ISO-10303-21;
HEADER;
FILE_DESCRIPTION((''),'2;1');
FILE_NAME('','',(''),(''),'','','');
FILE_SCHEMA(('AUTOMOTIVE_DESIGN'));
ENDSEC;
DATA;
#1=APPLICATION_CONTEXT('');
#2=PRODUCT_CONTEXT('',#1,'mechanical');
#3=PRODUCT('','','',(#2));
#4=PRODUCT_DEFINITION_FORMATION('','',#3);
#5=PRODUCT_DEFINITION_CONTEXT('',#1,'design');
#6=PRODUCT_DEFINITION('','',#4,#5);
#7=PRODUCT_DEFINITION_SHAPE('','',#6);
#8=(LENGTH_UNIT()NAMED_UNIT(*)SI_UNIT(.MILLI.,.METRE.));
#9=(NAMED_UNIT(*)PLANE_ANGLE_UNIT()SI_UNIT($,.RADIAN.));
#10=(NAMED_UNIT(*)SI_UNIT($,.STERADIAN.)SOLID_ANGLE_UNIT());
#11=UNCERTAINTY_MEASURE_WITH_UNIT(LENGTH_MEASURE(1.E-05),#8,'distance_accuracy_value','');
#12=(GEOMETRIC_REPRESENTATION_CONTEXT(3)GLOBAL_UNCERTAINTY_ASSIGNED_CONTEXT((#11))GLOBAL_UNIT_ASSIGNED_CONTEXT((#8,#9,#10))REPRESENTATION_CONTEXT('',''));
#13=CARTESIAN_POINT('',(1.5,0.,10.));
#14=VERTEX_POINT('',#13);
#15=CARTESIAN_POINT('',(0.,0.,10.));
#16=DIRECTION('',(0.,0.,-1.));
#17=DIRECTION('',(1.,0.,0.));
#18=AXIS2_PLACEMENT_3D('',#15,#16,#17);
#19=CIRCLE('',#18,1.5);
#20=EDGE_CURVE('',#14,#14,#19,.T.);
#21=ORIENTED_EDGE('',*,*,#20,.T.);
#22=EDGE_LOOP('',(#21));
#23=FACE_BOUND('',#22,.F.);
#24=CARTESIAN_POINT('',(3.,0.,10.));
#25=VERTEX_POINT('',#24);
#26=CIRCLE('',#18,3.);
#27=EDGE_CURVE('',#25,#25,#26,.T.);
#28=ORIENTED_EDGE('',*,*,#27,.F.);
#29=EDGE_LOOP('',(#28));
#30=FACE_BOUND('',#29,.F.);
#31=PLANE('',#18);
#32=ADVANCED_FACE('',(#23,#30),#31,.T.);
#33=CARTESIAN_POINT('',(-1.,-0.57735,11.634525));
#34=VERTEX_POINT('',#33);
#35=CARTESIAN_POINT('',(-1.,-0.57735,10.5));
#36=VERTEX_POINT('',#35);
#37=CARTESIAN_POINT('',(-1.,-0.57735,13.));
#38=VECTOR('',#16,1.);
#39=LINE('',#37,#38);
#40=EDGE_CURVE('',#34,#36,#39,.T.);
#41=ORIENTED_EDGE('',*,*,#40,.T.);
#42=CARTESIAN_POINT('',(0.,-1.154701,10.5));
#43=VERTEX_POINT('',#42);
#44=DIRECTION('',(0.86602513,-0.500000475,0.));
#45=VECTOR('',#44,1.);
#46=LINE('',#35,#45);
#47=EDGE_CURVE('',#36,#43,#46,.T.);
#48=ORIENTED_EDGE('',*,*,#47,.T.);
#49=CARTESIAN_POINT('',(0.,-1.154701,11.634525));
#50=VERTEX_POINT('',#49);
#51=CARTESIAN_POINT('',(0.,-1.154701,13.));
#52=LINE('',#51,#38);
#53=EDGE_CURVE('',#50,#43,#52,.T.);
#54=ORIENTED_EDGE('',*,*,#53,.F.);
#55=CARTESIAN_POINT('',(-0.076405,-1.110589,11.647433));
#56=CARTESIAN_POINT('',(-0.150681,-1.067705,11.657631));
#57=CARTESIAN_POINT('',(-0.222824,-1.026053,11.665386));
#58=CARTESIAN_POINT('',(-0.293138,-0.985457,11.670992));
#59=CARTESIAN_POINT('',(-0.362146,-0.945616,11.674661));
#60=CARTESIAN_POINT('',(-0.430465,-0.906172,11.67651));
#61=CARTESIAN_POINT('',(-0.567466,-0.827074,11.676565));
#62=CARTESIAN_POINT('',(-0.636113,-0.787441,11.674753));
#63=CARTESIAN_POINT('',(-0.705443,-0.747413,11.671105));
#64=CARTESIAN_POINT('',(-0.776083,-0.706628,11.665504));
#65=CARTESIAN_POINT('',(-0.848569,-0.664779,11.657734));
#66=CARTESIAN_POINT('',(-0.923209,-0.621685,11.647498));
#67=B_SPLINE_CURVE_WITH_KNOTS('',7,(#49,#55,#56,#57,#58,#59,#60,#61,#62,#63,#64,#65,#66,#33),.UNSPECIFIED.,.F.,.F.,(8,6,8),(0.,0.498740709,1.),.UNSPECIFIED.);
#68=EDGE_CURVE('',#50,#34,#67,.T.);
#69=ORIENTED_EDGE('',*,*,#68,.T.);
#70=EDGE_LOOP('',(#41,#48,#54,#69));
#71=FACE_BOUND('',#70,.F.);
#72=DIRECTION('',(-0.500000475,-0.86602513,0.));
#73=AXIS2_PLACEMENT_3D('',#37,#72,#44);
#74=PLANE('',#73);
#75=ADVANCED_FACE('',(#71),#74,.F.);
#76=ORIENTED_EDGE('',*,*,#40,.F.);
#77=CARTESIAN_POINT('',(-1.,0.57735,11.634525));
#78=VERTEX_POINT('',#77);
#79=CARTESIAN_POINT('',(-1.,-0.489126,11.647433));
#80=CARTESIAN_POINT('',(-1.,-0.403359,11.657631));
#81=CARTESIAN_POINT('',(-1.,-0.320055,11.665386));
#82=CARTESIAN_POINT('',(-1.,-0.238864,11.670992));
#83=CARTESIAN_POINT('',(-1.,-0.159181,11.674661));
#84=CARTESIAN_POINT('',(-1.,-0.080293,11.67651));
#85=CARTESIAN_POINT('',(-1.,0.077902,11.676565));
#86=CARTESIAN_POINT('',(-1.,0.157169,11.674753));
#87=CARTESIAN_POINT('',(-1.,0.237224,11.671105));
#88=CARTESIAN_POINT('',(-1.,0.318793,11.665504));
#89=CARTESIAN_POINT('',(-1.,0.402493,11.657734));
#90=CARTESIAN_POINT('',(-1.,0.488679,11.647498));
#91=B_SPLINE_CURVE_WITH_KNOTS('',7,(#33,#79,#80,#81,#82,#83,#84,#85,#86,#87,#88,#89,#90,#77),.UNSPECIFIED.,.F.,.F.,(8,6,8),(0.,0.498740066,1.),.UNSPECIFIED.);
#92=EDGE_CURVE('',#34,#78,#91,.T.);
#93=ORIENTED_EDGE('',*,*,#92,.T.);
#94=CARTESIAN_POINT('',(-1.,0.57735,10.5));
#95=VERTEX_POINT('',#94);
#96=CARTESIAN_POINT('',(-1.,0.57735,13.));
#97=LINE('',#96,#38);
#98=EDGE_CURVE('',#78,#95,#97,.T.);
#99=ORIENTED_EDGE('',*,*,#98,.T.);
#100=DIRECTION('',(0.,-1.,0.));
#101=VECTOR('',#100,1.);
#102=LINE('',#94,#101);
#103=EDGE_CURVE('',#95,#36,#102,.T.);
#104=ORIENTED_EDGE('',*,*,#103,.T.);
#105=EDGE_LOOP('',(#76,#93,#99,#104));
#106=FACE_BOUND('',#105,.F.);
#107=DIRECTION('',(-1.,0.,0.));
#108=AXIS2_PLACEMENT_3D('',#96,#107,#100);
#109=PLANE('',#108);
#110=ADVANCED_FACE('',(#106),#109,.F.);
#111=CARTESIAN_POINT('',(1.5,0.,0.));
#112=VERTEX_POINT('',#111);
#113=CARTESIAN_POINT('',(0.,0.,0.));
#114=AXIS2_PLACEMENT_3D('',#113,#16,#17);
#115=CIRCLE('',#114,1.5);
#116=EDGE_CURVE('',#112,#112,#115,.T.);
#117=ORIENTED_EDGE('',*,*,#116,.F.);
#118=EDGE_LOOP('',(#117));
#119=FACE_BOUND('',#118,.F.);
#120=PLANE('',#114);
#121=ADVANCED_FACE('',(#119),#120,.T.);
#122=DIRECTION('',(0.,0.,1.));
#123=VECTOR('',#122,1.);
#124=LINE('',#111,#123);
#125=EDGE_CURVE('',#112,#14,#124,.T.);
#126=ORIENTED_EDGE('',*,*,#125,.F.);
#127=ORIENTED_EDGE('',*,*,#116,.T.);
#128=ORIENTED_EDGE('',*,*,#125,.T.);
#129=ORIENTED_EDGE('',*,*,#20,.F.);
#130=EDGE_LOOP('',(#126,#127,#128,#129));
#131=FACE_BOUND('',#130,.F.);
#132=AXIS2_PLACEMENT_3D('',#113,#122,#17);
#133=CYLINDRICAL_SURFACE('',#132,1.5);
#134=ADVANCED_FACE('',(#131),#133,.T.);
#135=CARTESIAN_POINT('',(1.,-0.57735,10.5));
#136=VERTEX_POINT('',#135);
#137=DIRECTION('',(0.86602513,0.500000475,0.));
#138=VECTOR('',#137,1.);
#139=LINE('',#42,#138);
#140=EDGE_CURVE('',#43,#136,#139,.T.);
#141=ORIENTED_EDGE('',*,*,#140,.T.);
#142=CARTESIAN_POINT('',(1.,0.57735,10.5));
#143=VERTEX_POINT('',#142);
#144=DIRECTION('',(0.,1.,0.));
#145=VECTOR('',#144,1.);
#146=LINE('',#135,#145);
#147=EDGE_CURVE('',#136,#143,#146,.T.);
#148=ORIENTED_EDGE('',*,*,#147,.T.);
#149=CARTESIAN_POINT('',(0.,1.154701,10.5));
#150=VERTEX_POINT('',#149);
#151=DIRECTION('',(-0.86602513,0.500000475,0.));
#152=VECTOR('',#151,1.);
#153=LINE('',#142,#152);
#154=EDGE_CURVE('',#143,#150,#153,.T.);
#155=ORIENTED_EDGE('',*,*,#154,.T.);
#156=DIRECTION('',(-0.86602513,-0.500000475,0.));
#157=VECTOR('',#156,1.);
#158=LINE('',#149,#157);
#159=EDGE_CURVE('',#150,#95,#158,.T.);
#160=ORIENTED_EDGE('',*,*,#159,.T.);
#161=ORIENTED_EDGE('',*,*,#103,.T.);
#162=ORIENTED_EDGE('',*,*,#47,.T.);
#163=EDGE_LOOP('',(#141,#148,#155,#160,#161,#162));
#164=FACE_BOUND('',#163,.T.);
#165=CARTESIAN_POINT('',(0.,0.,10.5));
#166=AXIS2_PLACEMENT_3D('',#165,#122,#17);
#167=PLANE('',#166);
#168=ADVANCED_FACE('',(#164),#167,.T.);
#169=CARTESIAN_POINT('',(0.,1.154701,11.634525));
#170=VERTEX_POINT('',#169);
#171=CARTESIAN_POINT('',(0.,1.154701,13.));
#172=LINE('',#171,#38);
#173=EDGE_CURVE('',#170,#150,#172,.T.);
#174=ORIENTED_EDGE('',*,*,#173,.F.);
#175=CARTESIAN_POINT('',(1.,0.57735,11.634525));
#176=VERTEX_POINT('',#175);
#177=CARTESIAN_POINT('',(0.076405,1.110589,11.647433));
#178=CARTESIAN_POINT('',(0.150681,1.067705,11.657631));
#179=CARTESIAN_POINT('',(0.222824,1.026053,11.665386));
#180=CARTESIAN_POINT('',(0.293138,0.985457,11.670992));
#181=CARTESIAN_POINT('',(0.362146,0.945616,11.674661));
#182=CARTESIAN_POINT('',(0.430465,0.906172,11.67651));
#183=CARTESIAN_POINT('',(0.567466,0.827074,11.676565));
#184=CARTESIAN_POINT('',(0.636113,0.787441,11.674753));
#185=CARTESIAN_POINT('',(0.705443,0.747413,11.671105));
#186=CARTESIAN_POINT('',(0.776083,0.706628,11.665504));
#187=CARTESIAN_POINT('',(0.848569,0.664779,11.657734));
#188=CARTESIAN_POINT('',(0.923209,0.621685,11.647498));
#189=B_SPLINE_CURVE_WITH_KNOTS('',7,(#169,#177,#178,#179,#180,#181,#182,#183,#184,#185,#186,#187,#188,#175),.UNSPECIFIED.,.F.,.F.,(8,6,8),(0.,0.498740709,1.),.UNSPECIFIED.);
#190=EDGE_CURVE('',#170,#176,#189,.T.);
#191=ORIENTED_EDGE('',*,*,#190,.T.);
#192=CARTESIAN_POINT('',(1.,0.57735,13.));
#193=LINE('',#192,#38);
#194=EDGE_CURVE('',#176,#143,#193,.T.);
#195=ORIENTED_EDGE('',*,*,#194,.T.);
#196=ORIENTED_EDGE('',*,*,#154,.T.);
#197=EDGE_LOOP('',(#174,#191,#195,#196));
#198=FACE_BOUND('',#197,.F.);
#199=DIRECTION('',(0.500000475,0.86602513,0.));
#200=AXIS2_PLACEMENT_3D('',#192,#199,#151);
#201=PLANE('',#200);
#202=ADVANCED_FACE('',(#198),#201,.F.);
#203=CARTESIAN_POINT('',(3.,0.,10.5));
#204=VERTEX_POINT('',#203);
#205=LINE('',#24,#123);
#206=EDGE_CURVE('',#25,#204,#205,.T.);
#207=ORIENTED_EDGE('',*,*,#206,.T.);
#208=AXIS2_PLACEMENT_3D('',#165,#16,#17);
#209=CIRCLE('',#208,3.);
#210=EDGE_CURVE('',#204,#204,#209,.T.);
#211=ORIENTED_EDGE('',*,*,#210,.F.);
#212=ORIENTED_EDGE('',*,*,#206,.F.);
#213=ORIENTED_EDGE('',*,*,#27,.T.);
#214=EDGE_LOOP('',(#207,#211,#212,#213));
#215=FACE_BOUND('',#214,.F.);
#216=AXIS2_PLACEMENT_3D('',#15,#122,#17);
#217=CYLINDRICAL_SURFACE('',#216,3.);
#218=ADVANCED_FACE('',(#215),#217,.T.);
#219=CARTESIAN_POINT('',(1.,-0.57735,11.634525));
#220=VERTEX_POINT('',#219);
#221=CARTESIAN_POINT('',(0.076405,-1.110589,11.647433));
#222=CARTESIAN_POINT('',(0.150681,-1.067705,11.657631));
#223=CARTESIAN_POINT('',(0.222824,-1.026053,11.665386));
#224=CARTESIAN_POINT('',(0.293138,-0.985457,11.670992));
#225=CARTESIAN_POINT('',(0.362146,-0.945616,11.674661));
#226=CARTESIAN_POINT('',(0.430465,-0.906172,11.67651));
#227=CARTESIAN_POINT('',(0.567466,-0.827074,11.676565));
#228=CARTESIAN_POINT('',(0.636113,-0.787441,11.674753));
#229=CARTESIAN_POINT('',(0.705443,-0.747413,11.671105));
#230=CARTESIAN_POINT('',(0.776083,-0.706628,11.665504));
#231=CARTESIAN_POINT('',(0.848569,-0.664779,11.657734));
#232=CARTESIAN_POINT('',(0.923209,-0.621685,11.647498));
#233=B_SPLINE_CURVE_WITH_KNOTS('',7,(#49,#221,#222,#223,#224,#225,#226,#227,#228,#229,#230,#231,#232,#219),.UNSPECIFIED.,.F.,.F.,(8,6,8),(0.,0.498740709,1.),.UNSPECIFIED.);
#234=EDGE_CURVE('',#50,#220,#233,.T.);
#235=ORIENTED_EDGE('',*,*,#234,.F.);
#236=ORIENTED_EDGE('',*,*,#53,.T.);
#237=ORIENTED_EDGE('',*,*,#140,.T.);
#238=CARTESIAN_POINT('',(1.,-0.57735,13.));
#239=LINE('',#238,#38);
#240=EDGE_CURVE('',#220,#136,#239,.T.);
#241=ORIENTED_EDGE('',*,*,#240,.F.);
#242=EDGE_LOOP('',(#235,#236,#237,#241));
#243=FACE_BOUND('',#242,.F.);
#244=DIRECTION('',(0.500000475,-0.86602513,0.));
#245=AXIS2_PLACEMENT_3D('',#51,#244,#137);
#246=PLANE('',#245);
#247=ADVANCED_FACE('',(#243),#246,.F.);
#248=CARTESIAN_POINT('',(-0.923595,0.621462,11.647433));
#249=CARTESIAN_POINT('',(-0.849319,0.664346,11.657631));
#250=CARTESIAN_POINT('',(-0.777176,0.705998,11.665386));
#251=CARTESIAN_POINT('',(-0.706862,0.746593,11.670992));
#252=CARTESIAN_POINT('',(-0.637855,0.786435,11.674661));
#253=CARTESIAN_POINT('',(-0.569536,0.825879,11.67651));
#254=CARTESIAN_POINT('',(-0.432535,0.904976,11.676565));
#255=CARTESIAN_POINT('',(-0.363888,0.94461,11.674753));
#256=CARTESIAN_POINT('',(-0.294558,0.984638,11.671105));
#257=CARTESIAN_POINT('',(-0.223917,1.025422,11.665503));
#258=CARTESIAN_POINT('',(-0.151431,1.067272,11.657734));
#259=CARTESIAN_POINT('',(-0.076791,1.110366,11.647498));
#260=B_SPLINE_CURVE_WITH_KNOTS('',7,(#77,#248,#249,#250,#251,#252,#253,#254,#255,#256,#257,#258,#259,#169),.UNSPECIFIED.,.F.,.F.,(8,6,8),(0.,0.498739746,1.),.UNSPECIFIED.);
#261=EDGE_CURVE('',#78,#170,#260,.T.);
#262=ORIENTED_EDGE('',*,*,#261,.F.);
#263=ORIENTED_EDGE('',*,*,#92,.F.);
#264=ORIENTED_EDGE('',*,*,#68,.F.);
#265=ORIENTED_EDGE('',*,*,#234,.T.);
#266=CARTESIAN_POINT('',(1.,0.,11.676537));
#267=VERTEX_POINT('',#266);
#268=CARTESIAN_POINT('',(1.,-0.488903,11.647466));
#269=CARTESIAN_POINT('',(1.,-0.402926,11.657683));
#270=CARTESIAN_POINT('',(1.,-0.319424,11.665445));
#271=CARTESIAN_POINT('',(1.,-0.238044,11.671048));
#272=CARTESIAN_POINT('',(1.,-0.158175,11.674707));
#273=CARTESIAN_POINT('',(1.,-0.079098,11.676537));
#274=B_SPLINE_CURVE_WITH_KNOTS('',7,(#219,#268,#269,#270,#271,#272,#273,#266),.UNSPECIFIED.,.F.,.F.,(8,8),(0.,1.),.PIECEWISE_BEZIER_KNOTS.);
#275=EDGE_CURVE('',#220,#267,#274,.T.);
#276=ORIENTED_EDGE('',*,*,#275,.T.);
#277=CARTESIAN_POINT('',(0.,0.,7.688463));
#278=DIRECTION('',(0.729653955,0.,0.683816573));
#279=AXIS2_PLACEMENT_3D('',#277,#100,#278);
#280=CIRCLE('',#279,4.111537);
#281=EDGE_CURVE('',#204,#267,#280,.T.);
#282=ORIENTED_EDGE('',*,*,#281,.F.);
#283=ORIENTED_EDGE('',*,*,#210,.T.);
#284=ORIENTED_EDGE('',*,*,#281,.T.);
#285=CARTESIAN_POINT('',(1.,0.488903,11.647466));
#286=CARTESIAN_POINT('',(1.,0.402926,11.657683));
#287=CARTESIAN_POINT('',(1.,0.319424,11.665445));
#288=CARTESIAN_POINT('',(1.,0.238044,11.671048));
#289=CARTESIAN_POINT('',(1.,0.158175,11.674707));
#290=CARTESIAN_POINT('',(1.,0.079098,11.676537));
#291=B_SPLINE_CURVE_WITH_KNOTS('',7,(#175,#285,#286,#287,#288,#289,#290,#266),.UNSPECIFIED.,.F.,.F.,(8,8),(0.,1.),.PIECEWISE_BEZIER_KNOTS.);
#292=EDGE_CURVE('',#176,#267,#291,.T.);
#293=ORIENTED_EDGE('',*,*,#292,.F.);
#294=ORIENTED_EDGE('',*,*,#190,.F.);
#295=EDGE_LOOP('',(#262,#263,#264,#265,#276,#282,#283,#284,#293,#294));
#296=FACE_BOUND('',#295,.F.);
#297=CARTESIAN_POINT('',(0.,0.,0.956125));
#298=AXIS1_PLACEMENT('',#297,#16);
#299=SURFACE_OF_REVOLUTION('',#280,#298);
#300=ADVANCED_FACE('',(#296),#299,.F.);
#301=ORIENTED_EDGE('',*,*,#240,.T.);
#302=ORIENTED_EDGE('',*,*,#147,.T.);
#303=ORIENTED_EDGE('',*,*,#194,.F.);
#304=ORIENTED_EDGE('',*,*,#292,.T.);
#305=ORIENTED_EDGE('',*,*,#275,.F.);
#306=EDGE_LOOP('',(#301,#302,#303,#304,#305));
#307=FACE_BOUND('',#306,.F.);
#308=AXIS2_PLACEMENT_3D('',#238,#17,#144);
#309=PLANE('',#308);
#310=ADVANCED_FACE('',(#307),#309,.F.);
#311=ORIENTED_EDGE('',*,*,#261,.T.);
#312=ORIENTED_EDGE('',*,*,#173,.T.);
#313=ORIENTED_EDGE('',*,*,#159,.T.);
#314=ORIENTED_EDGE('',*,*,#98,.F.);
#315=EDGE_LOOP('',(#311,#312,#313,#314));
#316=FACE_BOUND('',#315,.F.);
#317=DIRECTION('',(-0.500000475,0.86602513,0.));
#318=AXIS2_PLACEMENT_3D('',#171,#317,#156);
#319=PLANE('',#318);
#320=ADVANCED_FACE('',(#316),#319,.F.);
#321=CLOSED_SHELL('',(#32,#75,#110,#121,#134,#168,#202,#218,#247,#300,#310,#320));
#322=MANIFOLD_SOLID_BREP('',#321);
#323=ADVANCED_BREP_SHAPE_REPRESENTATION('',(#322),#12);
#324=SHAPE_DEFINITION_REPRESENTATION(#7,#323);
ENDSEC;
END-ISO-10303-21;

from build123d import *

# Parameters (mm, degrees)
F4_DEPTH = 2.5


with BuildPart() as f1:
    # F0 (on Front) → F1 (revolve)
    with BuildSketch(Plane.XZ):
        with BuildLine():
            Line((0, 11.8), (0, 0))
            Line((0, 0), (1.5, 0))
            Line((1.5, 0), (1.5, 10))
            Line((1.5, 10), (3, 10))
            Line((3, 10), (3, 10.5))
            ThreePointArc((3, 10.5), (1.634778, 11.461027), (0, 11.8))
        make_face()
    revolve(axis=Axis((0, 0, 0.956125), (0, 0, -1)))

    # F3 (on offset) → F4 (cut)
    with BuildSketch(Plane.XY.offset(13)):
        Polygon((1, -0.57735), (1, 0.57735), (0, 1.154701), (-1, 0.57735), (-1, -0.57735), (0, -1.154701), align=None)
    extrude(amount=-F4_DEPTH, mode=Mode.SUBTRACT)


solid = f1.part
